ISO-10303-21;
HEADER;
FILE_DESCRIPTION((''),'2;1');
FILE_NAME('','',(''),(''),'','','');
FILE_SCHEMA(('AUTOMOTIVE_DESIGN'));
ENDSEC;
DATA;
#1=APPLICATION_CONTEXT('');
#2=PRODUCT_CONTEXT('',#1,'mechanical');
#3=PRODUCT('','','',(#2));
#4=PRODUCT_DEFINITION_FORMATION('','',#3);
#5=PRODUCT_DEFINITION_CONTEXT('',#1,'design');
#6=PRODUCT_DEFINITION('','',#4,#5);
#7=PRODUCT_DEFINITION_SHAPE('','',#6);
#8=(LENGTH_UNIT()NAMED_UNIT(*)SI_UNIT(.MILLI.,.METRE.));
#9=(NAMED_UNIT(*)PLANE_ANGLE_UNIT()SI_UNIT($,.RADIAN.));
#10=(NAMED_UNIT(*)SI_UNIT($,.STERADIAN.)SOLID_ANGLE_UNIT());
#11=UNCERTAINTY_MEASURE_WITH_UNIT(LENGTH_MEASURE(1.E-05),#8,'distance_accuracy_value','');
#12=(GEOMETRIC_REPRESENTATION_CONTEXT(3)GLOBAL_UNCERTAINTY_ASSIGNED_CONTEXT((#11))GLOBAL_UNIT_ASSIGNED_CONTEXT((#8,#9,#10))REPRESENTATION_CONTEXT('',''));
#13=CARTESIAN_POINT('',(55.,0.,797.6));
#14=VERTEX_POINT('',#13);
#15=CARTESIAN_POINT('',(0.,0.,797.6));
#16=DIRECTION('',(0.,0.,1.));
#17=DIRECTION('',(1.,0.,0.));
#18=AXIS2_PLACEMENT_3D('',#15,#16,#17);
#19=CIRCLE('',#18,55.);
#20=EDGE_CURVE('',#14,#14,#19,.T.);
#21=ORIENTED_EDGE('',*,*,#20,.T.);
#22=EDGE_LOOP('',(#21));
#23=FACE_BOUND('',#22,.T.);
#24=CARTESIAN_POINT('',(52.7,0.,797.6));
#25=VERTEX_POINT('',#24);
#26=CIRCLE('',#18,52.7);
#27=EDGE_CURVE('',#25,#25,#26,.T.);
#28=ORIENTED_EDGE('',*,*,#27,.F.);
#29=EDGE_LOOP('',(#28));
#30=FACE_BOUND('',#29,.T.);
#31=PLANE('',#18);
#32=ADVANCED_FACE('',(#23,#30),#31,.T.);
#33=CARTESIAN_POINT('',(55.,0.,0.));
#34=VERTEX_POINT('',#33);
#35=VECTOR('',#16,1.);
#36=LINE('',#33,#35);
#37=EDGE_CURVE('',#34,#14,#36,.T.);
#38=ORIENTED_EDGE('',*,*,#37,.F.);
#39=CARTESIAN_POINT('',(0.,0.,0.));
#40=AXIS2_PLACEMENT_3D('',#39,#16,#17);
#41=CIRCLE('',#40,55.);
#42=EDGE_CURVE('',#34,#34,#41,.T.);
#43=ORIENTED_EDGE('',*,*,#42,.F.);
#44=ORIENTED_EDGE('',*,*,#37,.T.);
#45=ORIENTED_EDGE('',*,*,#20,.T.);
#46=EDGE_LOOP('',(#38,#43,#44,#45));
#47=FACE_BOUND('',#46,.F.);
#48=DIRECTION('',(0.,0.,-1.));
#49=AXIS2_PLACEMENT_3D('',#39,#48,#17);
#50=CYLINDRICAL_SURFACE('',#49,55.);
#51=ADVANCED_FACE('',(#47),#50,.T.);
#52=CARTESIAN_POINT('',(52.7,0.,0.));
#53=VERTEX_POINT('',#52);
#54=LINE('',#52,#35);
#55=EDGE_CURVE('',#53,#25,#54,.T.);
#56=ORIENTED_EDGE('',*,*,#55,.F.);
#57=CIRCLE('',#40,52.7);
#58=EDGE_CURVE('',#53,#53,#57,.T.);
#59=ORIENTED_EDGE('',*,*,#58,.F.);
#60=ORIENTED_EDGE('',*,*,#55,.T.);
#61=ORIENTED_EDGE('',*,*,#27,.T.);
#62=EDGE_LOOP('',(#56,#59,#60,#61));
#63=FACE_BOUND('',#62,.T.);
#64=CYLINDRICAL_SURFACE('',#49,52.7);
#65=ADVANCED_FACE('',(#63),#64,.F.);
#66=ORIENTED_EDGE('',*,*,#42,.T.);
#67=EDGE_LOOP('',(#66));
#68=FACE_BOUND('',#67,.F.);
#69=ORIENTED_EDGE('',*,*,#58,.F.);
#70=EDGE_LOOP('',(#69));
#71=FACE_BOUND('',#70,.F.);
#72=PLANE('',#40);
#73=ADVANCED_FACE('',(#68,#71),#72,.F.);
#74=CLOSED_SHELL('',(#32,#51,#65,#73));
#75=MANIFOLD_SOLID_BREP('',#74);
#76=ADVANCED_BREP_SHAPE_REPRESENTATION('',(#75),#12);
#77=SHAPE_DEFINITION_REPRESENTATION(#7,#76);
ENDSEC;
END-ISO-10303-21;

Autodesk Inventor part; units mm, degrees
ref_plane "YZ Plane" through (0, 0, 0) normal (1, 0, 0) x (0, 1, 0)
ref_plane "XZ Plane" through (0, 0, 0) normal (0, 1, 0) x (-1, 0, 0)
ref_plane "XY Plane" through (0, 0, 0) normal (0, 0, 1) x (1, 0, 0)
sketch "Sketch1" plane through (0, 0, 0) normal (0, 0, 1) x (1, 0, 0)
  circle A0 centre (0, 0) radius 52.7
  circle A1 centre (0, 0) radius 55
  dimension "d1" = 2.3
  dimension "d4" = 110
extrude "Extrusion1" add sketch "Sketch1" along normal blind 797.6
properties part number "pipe0.85m"
